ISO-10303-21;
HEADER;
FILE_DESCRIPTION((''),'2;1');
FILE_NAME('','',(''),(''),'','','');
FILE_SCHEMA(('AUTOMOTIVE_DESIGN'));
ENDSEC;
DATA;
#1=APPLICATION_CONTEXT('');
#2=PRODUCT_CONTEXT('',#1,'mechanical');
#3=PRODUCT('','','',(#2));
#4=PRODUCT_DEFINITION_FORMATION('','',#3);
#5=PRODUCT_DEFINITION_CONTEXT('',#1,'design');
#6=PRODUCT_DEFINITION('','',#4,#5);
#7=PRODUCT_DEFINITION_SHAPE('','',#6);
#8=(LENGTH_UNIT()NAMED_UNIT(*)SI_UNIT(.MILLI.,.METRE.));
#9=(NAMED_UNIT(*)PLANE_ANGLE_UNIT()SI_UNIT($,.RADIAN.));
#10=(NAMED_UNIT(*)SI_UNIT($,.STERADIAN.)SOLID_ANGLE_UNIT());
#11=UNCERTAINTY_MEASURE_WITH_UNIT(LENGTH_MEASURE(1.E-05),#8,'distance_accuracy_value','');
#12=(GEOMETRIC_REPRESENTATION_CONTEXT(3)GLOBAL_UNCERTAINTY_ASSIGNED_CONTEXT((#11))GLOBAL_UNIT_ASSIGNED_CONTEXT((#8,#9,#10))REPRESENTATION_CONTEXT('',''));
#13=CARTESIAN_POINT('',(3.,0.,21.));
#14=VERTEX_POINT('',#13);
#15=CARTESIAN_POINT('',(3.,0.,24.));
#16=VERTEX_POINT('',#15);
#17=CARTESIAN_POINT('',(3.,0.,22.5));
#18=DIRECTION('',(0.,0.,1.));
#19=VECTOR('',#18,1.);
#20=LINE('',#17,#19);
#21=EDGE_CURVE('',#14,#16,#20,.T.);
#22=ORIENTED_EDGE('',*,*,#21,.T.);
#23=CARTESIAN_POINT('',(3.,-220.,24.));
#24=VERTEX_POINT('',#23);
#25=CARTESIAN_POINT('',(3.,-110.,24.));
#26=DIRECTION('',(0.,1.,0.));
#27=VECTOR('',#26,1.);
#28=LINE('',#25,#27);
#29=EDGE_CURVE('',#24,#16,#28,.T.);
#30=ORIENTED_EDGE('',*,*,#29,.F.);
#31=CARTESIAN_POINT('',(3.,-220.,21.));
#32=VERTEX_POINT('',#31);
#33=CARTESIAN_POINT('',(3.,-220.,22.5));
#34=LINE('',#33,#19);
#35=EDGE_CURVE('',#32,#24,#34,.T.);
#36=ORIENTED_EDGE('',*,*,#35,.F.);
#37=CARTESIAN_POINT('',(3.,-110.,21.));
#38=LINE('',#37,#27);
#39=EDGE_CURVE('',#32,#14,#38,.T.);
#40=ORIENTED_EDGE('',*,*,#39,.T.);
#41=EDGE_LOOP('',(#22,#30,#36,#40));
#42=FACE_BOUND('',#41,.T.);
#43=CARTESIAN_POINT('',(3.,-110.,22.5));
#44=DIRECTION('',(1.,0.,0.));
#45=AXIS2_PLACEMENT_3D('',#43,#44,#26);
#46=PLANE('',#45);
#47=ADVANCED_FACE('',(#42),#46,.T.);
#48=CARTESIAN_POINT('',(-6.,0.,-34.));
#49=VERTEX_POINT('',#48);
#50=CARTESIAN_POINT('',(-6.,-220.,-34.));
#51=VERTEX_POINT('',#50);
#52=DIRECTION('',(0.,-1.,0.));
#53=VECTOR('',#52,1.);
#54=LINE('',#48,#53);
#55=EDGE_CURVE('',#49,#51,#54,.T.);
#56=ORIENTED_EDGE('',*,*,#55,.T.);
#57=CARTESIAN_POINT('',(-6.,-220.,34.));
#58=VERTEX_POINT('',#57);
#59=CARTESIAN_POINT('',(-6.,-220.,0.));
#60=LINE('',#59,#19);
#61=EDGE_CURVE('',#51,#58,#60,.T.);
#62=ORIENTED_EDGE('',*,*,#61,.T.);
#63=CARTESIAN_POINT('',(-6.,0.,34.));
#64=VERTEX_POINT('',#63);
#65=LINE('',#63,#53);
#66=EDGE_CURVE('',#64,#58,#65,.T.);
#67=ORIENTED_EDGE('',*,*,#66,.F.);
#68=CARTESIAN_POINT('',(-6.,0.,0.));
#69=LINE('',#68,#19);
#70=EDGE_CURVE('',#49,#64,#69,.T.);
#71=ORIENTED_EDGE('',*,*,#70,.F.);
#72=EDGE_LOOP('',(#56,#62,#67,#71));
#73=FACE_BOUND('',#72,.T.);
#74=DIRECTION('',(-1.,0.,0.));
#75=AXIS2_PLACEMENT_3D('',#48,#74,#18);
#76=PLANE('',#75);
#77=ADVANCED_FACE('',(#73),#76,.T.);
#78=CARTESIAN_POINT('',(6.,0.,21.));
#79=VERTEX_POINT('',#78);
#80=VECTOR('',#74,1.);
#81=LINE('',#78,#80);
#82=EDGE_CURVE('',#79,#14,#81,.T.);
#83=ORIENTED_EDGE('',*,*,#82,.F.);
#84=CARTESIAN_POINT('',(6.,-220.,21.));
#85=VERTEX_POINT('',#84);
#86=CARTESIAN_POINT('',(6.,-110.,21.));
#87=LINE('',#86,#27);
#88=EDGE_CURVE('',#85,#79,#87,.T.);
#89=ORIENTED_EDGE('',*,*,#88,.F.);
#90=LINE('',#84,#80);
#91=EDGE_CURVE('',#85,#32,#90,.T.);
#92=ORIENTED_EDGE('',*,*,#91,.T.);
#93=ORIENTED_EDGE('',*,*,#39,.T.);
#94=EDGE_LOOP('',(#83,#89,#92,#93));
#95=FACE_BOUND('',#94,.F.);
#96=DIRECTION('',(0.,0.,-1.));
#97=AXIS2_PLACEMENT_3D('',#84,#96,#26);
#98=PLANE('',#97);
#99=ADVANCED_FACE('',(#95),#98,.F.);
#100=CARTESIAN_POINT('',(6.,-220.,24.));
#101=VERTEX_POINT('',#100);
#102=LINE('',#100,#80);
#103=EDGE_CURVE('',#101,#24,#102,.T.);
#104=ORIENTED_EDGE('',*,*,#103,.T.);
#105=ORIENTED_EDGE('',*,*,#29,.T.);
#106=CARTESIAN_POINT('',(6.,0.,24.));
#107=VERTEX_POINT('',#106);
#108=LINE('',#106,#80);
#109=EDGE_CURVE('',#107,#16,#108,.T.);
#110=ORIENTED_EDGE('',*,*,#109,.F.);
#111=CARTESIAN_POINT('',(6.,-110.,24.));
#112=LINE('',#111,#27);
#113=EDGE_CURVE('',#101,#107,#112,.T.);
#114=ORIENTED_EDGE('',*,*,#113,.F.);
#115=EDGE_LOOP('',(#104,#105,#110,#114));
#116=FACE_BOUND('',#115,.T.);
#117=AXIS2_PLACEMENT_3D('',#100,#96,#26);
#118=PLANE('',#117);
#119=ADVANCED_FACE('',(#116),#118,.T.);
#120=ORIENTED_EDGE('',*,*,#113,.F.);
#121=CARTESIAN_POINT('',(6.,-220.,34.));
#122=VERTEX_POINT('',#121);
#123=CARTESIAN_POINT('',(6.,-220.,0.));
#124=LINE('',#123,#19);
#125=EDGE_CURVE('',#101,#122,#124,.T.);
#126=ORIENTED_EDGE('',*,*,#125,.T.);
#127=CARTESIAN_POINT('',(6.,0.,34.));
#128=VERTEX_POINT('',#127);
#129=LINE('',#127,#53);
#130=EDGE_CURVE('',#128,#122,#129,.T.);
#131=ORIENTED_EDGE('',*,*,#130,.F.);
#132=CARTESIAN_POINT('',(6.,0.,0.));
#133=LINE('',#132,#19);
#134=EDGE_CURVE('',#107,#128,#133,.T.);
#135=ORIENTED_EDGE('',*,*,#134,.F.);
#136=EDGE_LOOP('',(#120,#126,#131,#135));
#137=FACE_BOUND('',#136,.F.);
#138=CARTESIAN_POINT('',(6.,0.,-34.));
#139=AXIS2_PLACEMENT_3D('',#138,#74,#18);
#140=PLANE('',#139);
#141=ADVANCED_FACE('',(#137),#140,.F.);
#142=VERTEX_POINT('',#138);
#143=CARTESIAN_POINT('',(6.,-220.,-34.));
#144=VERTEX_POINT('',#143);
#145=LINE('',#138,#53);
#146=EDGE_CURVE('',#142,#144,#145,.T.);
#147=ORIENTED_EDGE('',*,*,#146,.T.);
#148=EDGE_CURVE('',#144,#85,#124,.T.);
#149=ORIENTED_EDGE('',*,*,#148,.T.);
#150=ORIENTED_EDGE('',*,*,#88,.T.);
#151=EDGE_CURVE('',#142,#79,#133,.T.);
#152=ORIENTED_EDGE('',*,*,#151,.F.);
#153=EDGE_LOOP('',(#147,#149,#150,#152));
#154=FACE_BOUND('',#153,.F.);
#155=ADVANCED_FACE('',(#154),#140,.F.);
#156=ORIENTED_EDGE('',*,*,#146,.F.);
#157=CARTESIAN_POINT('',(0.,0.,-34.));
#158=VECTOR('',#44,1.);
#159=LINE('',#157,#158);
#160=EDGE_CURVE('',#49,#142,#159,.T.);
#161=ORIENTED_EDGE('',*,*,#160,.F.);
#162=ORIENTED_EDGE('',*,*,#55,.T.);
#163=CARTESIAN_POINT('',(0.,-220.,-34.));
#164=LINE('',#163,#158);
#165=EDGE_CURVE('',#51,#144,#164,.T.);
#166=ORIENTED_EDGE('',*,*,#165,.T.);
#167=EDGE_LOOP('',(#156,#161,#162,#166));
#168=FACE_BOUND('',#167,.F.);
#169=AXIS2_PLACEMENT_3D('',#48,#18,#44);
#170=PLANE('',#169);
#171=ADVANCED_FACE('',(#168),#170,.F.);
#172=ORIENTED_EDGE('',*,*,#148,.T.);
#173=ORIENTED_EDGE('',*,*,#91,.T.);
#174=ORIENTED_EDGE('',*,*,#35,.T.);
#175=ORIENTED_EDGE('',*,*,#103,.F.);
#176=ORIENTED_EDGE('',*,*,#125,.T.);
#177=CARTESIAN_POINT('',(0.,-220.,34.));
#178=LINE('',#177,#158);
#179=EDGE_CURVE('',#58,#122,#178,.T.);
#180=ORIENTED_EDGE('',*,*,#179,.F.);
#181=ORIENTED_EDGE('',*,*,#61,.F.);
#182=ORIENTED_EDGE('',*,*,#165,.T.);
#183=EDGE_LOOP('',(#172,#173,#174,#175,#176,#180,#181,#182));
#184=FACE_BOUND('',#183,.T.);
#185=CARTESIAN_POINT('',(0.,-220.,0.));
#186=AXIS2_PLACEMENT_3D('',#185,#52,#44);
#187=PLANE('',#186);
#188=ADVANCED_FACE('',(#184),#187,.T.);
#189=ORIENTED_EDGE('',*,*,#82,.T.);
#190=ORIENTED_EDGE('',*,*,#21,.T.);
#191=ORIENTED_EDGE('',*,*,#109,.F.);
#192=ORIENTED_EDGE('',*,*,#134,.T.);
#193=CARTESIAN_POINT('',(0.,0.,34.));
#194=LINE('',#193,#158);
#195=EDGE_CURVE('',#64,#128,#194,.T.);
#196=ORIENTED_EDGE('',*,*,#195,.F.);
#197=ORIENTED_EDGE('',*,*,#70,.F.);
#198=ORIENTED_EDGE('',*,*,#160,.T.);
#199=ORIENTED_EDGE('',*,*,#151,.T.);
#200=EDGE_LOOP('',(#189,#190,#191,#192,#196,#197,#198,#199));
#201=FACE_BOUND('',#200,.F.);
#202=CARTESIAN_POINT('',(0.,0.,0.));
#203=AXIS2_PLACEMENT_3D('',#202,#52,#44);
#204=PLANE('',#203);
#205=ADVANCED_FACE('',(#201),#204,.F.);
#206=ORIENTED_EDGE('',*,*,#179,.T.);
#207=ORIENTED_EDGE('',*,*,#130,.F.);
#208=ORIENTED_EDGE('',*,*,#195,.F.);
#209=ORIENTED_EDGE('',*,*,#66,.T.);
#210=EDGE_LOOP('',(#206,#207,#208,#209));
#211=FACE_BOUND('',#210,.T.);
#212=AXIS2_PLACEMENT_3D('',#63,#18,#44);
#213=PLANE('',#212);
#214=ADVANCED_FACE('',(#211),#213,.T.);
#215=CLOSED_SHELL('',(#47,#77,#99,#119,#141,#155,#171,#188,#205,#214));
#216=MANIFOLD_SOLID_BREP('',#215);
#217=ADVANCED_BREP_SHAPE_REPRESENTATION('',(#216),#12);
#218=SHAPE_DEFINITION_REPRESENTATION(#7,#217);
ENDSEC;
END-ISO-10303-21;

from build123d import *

# Parameters (mm, degrees)
F0_W     = 220
F0_H     = 68
F1_DEPTH = 12
F2_W     = 3
F2_H     = 3
F3_DEPTH = 300
F5_W     = 12
F5_H     = 68
F6_DEPTH = 220
F7_W     = 220
F7_H     = 3
F8_DEPTH = 3


with BuildPart() as f1:
    # F0 (on Front) → F1 (new body)
    with BuildSketch(Plane.XZ):
        Rectangle(F0_W, F0_H)
    extrude(amount=F1_DEPTH)

    # F2 (on face) → F3 (cut)
    with BuildSketch(Plane.YZ.offset(110)):
        with Locations((-1.5, 22.5)):
            Rectangle(F2_W, F2_H)
    extrude(amount=-F3_DEPTH, mode=Mode.SUBTRACT)


with BuildPart() as f6:
    # F5 (on Front) → F6 (new body)
    with BuildSketch(Plane.XZ):
        Rectangle(F5_W, F5_H)
    extrude(amount=F6_DEPTH)

    # F7 (on face) → F8 (cut)
    with BuildSketch(Plane.YZ.offset(6)):
        with Locations((-110, 22.5)):
            Rectangle(F7_W, F7_H)
    extrude(amount=-F8_DEPTH, mode=Mode.SUBTRACT)


solid = f6.part
